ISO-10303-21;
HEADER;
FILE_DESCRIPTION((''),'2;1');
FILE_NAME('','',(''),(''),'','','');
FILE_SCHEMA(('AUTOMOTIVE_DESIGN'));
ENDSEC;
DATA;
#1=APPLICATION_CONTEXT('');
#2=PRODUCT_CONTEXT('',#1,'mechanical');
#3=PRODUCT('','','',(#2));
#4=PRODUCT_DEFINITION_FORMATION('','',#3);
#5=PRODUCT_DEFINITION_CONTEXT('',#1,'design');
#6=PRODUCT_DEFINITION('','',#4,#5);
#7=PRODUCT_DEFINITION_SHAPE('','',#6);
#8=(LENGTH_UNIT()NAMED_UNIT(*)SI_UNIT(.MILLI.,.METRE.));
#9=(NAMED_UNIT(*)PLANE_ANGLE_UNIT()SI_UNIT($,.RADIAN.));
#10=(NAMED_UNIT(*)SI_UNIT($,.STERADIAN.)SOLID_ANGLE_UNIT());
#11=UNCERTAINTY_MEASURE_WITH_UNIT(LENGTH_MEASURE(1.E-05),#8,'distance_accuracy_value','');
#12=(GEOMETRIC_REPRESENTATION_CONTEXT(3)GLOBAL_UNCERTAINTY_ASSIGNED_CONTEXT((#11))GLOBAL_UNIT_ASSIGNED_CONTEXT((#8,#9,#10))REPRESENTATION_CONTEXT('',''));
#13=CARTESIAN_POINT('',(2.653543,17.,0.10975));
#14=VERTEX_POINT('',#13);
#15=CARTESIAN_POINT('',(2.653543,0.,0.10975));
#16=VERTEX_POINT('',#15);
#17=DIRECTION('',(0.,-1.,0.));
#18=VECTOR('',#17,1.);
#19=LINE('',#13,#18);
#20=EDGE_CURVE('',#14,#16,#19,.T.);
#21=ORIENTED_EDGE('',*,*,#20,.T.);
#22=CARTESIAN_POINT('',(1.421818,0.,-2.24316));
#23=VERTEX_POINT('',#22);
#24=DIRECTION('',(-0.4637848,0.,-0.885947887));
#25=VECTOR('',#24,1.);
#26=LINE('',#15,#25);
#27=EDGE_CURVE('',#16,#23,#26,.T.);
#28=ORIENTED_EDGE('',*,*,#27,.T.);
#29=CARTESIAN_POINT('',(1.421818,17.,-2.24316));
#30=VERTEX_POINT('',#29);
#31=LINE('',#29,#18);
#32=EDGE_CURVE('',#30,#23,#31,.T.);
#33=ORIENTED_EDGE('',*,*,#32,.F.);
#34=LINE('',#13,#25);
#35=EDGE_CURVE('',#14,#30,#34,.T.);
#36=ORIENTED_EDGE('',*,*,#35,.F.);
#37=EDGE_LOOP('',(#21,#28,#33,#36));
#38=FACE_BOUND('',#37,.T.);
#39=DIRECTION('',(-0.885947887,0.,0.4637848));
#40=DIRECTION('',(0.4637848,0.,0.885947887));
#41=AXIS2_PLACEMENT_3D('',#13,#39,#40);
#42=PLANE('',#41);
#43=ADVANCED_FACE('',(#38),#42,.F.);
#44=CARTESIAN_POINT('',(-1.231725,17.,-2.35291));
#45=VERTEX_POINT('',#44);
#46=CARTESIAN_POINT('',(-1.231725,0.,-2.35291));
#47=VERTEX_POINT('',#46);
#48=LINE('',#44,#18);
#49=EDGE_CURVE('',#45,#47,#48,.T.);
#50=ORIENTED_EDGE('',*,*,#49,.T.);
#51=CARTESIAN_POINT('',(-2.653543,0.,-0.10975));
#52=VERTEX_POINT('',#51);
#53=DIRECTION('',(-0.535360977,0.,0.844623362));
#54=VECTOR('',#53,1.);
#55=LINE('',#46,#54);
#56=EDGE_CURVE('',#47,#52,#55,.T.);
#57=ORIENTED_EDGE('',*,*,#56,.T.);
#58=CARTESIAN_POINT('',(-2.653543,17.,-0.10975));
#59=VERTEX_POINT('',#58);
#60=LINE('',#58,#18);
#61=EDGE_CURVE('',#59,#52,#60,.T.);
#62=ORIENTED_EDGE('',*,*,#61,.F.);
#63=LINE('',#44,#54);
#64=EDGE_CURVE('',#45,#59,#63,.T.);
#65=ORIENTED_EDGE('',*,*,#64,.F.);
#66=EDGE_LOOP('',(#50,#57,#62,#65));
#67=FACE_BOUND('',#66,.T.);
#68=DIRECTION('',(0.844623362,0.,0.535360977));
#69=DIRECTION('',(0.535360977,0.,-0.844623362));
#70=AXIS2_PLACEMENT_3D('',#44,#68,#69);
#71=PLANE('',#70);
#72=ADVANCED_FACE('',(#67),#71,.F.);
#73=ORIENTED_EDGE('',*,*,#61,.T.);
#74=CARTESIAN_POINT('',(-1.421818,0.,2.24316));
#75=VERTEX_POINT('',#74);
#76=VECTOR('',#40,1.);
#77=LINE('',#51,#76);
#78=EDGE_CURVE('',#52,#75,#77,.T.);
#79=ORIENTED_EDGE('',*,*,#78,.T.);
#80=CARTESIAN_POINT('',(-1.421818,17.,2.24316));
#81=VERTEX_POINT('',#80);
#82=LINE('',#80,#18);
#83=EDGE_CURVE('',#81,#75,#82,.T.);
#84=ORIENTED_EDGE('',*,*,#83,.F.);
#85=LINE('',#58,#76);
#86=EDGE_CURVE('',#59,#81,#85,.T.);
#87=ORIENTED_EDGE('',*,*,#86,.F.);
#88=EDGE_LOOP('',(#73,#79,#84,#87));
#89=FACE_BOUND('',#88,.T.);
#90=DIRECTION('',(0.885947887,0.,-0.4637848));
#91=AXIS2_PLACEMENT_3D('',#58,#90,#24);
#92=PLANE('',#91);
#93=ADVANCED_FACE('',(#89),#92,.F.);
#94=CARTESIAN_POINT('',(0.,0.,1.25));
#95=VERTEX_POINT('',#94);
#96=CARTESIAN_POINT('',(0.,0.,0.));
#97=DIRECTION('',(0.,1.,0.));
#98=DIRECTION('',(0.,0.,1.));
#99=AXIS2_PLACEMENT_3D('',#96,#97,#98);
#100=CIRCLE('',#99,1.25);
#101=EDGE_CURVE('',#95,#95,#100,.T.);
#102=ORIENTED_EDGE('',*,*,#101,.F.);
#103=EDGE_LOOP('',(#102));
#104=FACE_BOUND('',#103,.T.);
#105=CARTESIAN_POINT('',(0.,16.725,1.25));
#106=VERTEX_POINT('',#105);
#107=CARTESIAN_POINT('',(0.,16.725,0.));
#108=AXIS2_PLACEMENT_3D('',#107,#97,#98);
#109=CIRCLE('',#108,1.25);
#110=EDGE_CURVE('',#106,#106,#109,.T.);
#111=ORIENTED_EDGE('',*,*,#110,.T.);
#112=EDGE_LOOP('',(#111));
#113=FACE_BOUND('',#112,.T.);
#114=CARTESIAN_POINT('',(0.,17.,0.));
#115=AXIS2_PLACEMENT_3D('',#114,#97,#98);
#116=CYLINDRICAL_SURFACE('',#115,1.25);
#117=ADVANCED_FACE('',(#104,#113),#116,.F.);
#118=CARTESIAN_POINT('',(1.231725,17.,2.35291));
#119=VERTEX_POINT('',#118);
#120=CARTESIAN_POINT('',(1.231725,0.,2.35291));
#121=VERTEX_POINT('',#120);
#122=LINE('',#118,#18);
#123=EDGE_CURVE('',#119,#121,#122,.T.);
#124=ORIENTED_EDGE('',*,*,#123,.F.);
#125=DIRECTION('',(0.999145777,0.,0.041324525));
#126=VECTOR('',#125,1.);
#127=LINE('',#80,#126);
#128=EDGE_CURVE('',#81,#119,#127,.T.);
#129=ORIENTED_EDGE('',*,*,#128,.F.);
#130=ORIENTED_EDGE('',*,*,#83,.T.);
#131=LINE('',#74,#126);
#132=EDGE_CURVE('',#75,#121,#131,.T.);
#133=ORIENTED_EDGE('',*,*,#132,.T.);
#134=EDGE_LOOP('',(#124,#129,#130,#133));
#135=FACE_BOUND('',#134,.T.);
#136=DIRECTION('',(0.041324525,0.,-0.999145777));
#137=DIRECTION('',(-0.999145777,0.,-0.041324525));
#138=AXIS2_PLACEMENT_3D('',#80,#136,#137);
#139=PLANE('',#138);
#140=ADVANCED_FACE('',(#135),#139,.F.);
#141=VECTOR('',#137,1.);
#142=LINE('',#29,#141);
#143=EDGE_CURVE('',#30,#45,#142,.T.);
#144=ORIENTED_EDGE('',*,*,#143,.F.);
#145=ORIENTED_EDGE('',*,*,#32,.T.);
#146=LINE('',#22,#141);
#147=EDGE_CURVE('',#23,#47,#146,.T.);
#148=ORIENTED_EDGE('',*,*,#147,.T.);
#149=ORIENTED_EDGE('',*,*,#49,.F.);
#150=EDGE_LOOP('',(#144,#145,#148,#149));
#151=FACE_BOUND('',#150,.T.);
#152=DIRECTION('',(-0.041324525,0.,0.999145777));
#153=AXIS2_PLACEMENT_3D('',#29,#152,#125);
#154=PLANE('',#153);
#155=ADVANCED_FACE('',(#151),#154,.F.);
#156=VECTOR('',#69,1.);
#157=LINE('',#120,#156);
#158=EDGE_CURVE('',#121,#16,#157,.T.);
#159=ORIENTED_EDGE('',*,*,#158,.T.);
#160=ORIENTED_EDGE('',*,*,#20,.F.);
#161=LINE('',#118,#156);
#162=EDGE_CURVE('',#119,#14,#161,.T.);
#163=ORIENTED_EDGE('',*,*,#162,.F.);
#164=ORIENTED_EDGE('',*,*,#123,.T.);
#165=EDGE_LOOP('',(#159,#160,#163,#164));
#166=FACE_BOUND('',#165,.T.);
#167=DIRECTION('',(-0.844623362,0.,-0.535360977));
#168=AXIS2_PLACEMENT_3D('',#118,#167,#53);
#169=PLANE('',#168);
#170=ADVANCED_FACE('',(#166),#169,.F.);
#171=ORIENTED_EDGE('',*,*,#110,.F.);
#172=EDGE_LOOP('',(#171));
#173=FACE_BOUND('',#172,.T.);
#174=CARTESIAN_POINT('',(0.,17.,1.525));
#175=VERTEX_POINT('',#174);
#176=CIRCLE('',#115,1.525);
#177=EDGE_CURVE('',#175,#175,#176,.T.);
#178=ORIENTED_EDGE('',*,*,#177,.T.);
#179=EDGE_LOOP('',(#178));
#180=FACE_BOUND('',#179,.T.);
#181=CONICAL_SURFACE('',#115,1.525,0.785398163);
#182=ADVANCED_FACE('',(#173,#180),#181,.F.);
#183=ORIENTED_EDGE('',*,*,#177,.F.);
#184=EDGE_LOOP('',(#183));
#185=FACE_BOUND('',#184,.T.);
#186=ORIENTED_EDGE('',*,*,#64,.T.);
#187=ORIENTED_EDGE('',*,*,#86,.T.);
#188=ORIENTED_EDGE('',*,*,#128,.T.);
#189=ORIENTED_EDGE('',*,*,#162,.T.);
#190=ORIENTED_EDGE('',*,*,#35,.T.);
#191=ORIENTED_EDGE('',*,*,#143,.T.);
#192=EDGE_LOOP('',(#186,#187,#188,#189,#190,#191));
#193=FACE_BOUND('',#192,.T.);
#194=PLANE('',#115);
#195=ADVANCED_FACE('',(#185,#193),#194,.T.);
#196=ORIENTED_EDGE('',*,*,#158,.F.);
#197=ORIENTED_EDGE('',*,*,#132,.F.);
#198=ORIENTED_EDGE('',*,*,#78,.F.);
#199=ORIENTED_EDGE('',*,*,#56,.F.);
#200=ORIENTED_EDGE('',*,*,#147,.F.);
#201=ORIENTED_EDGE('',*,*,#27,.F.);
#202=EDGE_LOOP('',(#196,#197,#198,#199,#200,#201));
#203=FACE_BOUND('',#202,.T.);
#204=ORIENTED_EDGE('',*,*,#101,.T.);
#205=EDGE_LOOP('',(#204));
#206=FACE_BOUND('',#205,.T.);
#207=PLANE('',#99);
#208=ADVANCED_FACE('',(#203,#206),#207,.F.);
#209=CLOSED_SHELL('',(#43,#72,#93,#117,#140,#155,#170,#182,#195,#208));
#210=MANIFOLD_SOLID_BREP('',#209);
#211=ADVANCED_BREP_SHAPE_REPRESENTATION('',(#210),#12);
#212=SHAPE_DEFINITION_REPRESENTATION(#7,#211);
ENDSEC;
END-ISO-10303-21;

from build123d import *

# Parameters (mm, degrees)
SKETCH_1_R                   = 1.1
EXTRUDE_1_DEPTH              = 17
HOLE_WIZARD_M3_2_D           = 2.5
HOLE_WIZARD_M3_2_CSINK_D     = 3.05
HOLE_WIZARD_M3_2_CSINK_ANGLE = 90


with BuildPart() as part:
    # 草图1 → 凸台-拉伸1 (new body)
    with BuildSketch(Plane(origin=(0, 0, 0), x_dir=(1, 0, 0), z_dir=(0, 1, 0))):
        Polygon((1.231724884, -2.352910356), (2.653542583, -0.109750138), (1.421817699, 2.243160218), (-1.231724884, 2.352910356), (-2.653542583, 0.109750138), (-1.421817699, -2.243160218), align=None)
        Circle(SKETCH_1_R, mode=Mode.SUBTRACT)
    extrude(amount=EXTRUDE_1_DEPTH)

    # M3 螺纹孔2 (through all)
    with Locations(Plane(origin=(0, 17, 0), x_dir=(1, 0, 0), z_dir=(0, 1, 0))):
        with Locations((0, 0)):
            CounterSinkHole(HOLE_WIZARD_M3_2_D / 2, HOLE_WIZARD_M3_2_CSINK_D / 2, counter_sink_angle=HOLE_WIZARD_M3_2_CSINK_ANGLE)


solid = part.part
